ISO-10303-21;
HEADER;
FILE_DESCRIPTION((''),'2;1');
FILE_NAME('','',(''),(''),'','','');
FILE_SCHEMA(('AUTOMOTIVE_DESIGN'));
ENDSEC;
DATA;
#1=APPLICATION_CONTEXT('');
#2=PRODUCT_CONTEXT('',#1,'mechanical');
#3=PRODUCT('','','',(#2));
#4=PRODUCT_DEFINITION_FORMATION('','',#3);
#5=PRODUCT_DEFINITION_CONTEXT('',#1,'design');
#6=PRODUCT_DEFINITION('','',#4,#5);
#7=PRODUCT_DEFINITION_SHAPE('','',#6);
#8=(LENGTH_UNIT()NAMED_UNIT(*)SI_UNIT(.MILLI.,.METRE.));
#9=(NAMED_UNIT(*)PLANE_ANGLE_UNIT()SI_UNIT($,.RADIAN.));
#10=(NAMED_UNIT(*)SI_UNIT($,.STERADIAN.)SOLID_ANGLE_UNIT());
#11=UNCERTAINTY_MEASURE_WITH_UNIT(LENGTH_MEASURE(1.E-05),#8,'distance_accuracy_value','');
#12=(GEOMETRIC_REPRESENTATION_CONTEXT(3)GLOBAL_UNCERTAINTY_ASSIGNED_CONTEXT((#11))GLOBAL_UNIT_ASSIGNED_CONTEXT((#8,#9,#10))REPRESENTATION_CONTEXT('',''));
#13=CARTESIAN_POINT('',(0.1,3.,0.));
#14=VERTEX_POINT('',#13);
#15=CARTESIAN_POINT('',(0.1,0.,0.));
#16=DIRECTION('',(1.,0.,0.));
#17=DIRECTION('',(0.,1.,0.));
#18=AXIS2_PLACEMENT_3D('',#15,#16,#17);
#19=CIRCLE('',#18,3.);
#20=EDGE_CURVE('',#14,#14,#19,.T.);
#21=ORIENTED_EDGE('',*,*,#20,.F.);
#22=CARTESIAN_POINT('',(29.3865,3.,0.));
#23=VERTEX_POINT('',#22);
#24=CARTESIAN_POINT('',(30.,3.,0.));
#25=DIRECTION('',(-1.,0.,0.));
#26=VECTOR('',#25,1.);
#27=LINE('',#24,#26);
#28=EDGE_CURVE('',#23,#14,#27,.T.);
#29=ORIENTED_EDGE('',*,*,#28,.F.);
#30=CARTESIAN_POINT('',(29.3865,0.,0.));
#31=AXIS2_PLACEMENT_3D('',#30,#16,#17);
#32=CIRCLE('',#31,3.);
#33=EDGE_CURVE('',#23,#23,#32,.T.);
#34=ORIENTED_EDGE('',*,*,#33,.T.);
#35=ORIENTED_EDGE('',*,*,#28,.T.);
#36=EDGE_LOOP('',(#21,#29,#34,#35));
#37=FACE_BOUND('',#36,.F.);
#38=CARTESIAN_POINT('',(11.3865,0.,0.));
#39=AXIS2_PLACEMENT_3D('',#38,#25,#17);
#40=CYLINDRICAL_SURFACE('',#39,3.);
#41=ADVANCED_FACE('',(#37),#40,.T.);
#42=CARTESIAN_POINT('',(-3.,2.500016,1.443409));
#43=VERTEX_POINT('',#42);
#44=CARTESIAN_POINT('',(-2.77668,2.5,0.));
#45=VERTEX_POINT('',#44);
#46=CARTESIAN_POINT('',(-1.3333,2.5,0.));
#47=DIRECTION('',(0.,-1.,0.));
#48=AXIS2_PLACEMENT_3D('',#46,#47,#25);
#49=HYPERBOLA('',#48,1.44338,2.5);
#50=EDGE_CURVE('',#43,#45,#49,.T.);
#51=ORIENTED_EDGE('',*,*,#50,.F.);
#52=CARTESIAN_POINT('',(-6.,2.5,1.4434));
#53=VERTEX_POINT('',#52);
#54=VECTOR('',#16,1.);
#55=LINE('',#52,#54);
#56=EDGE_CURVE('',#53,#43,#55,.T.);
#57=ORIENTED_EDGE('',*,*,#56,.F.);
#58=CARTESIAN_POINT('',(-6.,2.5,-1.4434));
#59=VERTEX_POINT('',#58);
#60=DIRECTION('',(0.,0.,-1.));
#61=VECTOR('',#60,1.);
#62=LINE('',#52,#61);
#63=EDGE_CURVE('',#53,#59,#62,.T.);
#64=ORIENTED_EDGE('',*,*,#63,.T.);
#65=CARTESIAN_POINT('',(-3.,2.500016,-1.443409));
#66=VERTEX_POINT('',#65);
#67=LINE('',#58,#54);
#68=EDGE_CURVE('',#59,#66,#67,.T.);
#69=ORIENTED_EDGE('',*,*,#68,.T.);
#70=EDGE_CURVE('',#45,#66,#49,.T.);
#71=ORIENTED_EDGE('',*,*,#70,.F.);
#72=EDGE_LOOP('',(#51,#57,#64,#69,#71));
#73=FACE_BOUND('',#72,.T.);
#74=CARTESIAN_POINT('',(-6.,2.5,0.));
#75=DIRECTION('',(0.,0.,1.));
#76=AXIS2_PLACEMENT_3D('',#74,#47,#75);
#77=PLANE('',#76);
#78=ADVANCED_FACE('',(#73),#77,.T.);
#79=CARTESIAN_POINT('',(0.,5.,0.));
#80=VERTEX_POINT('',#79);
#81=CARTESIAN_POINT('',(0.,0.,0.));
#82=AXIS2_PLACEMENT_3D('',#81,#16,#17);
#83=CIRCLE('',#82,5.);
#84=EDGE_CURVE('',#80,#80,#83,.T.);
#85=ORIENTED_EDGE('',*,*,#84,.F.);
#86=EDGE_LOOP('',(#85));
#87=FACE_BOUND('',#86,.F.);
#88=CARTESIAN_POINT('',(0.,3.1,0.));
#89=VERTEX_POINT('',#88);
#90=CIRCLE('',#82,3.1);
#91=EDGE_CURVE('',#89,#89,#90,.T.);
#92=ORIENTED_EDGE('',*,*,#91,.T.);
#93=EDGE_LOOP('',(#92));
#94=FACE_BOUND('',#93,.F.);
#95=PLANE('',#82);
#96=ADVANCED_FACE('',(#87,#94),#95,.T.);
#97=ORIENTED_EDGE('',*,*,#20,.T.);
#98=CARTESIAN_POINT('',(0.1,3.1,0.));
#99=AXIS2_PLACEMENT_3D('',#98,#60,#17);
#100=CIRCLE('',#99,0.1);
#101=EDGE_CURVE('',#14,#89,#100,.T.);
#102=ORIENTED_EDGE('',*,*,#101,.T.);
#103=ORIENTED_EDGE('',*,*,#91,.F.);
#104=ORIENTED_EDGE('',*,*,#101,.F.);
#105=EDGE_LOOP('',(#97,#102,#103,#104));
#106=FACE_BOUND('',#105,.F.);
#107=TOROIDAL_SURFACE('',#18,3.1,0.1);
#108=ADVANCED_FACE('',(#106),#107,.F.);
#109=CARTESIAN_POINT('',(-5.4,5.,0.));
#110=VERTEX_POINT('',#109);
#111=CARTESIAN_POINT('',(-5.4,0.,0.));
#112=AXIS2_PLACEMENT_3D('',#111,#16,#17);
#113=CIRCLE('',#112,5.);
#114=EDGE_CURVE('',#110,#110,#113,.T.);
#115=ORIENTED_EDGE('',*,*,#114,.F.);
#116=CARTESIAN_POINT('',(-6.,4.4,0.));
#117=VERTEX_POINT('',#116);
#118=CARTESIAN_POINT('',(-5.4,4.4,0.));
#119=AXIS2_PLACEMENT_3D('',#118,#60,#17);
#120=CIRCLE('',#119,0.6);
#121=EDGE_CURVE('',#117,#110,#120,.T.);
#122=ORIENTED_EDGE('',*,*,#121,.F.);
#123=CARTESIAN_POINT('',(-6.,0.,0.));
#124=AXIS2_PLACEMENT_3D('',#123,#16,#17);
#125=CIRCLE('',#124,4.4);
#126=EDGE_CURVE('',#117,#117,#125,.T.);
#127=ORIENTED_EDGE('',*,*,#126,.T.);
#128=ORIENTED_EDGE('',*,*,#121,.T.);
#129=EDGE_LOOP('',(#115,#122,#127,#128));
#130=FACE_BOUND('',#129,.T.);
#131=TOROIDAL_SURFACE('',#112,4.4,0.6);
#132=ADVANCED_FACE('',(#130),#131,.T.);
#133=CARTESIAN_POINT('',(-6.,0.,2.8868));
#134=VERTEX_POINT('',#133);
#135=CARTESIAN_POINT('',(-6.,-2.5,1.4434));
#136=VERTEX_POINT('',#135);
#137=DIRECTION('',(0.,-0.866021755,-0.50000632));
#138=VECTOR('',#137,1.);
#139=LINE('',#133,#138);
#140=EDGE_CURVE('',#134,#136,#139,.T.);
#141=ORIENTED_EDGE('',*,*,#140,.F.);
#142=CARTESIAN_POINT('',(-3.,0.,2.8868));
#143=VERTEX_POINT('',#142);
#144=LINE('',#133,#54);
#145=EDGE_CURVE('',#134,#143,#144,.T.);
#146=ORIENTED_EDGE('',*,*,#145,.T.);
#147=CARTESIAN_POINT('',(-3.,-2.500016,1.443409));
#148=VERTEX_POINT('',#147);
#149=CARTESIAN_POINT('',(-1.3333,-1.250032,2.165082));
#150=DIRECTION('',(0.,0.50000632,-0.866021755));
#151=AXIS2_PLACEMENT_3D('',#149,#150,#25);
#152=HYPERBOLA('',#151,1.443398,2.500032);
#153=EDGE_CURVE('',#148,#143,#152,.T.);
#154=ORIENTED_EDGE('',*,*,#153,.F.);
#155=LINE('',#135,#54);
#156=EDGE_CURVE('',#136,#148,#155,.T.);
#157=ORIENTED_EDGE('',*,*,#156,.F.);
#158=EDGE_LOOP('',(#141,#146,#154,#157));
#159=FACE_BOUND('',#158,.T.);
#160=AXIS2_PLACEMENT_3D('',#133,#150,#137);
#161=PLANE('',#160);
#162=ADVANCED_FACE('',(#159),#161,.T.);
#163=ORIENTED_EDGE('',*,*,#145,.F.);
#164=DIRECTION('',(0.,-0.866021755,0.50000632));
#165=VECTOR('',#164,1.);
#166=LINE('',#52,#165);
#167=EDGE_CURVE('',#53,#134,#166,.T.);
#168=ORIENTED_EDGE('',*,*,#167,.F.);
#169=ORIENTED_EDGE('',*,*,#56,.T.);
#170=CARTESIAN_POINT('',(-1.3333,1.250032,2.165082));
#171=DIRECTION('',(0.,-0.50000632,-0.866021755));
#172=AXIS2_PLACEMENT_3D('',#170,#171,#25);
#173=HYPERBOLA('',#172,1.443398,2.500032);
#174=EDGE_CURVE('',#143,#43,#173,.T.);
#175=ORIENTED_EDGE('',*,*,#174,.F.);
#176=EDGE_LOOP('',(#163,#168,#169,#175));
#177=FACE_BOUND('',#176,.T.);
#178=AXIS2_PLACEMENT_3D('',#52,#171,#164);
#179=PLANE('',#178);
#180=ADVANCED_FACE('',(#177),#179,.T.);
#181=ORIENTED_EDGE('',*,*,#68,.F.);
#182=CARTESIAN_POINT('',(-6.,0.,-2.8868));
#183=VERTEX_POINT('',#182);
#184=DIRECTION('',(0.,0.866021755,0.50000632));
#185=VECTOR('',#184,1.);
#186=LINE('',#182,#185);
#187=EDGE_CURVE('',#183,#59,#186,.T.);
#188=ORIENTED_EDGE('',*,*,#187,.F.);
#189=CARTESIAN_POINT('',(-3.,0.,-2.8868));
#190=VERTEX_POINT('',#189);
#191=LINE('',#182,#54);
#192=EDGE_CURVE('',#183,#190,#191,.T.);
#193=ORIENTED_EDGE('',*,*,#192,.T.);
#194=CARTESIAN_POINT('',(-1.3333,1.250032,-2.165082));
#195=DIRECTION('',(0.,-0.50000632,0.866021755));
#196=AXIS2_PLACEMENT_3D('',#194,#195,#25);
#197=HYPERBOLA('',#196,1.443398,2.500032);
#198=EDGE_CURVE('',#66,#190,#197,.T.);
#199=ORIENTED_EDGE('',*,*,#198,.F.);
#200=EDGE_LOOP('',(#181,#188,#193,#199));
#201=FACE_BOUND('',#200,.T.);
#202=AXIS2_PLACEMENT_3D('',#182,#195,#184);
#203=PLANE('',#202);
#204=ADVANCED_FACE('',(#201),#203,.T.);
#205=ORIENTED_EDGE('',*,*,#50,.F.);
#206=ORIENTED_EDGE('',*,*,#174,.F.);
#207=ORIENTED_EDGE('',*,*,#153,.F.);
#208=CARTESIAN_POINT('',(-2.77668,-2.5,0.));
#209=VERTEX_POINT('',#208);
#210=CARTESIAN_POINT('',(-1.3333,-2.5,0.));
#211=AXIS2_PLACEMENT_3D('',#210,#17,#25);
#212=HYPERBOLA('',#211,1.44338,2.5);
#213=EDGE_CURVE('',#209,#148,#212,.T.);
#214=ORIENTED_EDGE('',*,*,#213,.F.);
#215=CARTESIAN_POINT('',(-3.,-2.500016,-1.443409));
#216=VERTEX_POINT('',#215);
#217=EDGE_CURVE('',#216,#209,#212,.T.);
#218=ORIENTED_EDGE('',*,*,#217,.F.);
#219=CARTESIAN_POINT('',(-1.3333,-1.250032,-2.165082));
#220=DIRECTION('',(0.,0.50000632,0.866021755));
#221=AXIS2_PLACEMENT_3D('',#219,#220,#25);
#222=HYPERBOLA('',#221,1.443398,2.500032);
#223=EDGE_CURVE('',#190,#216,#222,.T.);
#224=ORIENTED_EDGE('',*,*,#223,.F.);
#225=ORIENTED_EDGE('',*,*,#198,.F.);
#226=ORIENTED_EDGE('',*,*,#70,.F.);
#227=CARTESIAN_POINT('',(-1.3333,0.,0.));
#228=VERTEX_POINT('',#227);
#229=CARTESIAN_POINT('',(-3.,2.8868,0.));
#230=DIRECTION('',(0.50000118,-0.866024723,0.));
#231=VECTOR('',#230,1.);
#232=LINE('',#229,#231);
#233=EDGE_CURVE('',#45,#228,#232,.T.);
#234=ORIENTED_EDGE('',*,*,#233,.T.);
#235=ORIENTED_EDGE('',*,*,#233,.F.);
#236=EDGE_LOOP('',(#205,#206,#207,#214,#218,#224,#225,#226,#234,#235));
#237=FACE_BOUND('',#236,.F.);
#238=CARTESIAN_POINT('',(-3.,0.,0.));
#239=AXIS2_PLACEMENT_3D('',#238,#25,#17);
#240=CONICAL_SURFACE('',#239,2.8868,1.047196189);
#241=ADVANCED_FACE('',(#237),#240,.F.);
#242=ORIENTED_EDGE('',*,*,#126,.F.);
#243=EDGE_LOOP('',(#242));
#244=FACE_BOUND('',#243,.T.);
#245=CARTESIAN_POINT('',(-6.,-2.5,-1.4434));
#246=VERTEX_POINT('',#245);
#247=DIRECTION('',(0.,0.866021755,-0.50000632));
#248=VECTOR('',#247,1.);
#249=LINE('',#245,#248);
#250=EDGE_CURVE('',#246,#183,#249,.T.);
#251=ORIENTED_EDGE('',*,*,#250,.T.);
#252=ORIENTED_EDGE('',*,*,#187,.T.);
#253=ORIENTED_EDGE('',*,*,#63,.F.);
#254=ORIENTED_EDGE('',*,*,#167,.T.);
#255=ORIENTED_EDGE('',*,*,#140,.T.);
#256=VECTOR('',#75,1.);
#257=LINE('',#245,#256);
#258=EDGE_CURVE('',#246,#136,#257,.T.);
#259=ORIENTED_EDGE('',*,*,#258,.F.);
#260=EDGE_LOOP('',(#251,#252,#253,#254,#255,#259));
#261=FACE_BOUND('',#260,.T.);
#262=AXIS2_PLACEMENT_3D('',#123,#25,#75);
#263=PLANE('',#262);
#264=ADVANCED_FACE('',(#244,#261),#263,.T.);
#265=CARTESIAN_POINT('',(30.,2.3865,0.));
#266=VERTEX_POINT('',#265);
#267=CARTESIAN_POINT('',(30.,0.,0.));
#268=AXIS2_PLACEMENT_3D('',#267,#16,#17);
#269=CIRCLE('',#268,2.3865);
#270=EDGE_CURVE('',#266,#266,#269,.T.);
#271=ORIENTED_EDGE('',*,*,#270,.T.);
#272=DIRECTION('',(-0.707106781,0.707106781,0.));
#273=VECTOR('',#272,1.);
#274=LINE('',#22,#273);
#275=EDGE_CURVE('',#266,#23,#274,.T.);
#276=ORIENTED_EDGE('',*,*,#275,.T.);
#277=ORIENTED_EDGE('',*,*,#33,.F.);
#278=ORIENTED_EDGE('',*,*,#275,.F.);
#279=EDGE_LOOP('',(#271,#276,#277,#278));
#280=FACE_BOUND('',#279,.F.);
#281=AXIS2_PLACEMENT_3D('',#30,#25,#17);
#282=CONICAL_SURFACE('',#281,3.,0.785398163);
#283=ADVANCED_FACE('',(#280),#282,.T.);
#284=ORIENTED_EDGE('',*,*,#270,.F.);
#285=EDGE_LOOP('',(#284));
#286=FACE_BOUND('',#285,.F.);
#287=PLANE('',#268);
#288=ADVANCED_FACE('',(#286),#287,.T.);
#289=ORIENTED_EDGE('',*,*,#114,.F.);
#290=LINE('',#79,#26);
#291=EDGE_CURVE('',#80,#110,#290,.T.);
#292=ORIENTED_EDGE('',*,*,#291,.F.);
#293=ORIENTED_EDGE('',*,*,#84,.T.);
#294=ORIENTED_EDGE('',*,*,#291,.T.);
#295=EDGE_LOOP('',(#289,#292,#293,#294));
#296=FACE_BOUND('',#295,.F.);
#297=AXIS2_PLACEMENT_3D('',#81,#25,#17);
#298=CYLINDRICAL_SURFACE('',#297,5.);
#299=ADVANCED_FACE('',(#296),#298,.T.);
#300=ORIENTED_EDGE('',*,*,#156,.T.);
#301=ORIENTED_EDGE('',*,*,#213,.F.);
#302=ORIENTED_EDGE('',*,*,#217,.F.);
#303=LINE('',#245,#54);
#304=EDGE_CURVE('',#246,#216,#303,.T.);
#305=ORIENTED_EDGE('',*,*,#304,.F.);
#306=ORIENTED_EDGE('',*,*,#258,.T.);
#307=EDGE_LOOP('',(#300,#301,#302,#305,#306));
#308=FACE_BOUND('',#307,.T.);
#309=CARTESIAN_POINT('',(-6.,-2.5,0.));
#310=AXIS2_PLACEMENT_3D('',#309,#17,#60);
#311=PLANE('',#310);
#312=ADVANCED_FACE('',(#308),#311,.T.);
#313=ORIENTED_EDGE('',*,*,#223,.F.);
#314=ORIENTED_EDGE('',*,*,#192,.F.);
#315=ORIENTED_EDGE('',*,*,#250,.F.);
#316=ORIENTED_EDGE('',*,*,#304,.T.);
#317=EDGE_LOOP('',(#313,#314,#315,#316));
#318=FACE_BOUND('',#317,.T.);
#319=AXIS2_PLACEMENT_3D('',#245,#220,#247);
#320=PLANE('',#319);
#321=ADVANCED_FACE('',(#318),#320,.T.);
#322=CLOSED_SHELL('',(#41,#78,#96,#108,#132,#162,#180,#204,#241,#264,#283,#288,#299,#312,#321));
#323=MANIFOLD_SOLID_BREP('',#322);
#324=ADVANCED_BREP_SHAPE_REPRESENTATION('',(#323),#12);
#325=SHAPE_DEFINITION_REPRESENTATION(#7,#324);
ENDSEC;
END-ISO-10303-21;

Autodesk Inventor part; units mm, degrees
ref_plane "YZ Plane" through (0, 0, 0) normal (1, 0, 0) x (0, 1, 0)
ref_plane "XZ Plane" through (0, 0, 0) normal (0, 1, 0) x (-1, 0, 0)
sketch "Sketch1" plane through (0, 0, 0) normal (0, 0, 1) x (1, 0, 0)
  line L0 (-1.3333, 0) -> (30, 0)
  line L1 (30, 0) -> (30, 3)
  line L2 (30, 3) -> (12, 3)
  line L3 (12, 3) -> (11.3865, 3)
  line L4 (11.3865, 3) -> (0, 3)
  line L5 (0, 3) -> (0, 5)
  line L6 (0, 5) -> (-6, 5)
  line L7 (-6, 5) -> (-6, 2.8868)
  line L8 (-6, 2.8868) -> (-3, 2.8868)
  line L9 (-3, 2.8868) -> (-1.3333, 0)
  line L10 (-13.2, 0) -> (37.2, 0) projected
  line L11 (0, -1) -> (0, 6) projected
  line L12 (12, 3) -> (0, 3) construction
  dimension "d1" = 18
  dimension "d2" = 0.6136
  dimension "d3" = 6
  dimension "d4" = 3
  dimension "d5" = 60
  dimension "d6" = 6
  dimension "d7" = 6
  dimension "d8" = 5.7735
  dimension "d9" = 10
  dimension "d26" = 30
revolve "Body" add sketch "Sketch1" angle 360 about axis through (-1.3333, 0, 0) along (1, 0, 0)
sketch "Sketch2" plane through (-6, 0, 0) normal (-1, 0, 0) x (0, 0, 1)
  circle A0 centre (0, 0) radius 2.8868 projected
  line L0 (0, -7) -> (0, 7) projected
  line L1 (-7, 0) -> (7, 0) projected
  line L2 (2.8868, 0) -> (1.4434, -2.5)
  line L3 (1.4434, -2.5) -> (-1.4434, -2.5)
  line L4 (-1.4434, -2.5) -> (-2.8868, 0)
  line L5 (-2.8868, 0) -> (-1.4434, 2.5)
  line L6 (-1.4434, 2.5) -> (1.4434, 2.5)
  line L7 (1.4434, 2.5) -> (2.8868, 0)
extrude "Slot" add sketch "Sketch2" against normal up to next contours L7 A0 | A0 L2 | L6 L0 A0 | A0 L0 L3 | L0 L6 A0 | A0 L3 L0 | L4 A0 | A0 L5
fillet "Fillet1" radius 0.6 1 edges at (-6, -5, 0)
thread "Thread" size "M6x1" class "6g" standard "ISO Metric profile" length 18
chamfer "Chamfer1" distance 0.6135 distance2 0.6135 1 edges at (30, -3, 0) measured on face at (30, -0.301, -1.1526)
ref_plane "Work Plane1" through (29, 0, 0) normal (0, -1, 0) x (1, 0, 0)
fillet "Fillet2" radius 0.1 1 edges at (0, -3, 0)
equation "\"d1\" = GEL"
equation "\"d3\" = KOH"
equation "\"d4\" = INTI"
equation "\"d6\" = GD"
equation "\"d7\" = BDM"
equation "\"d8\" = 1.1547 * SW"
equation "\"d9\" = KOD"
equation "\"d26\" = NLG"
equation "\"d30\" = R"
equation "\"d17\" = RR"
equation "\"d13\" = GEL"
equation "\"d15\" = -0.5 * SPD + 0.5 * GD"
equation "\"d16\" = GUL"
equation "\"GD\" = NND"
equation "\"NLG\" = 30"
equation "\"GEL\" = 18"
equation "\"KOD\" = 10"
equation "\"KOH\" = NND"
equation "\"INTI\" = 3"
equation "\"GAL\" = 0.61345 * PTC"
equation "\"GUL\" = 0.61345 * PTC"
equation "\"BDM\" = NND"
equation "\"SW\" = 5"
equation "\"RR\" = 0.1 * NND"
equation "\"SPD\" = NND - 1.2269 * PTC"
equation "\"R\" = 0.1"
equation "\"PHH\" = 0.2"
equation "\"GD1\" = THREADDIA - 1.2269 * PTC"
equation "\"THREADDIA\" = 6"
equation "\"FAWI\" = 45deg"
equation "\"PTC\" = 1"
equation "\"KOH1\" = 5.4"
equation "\"NND\" = 6"
equation "\"TOA\" = 30deg"
equation "\"E0\" = 1.155 * SW"
properties part number "AS 1420 - 1973 - M6 x 30" material "Steel, Mild"
